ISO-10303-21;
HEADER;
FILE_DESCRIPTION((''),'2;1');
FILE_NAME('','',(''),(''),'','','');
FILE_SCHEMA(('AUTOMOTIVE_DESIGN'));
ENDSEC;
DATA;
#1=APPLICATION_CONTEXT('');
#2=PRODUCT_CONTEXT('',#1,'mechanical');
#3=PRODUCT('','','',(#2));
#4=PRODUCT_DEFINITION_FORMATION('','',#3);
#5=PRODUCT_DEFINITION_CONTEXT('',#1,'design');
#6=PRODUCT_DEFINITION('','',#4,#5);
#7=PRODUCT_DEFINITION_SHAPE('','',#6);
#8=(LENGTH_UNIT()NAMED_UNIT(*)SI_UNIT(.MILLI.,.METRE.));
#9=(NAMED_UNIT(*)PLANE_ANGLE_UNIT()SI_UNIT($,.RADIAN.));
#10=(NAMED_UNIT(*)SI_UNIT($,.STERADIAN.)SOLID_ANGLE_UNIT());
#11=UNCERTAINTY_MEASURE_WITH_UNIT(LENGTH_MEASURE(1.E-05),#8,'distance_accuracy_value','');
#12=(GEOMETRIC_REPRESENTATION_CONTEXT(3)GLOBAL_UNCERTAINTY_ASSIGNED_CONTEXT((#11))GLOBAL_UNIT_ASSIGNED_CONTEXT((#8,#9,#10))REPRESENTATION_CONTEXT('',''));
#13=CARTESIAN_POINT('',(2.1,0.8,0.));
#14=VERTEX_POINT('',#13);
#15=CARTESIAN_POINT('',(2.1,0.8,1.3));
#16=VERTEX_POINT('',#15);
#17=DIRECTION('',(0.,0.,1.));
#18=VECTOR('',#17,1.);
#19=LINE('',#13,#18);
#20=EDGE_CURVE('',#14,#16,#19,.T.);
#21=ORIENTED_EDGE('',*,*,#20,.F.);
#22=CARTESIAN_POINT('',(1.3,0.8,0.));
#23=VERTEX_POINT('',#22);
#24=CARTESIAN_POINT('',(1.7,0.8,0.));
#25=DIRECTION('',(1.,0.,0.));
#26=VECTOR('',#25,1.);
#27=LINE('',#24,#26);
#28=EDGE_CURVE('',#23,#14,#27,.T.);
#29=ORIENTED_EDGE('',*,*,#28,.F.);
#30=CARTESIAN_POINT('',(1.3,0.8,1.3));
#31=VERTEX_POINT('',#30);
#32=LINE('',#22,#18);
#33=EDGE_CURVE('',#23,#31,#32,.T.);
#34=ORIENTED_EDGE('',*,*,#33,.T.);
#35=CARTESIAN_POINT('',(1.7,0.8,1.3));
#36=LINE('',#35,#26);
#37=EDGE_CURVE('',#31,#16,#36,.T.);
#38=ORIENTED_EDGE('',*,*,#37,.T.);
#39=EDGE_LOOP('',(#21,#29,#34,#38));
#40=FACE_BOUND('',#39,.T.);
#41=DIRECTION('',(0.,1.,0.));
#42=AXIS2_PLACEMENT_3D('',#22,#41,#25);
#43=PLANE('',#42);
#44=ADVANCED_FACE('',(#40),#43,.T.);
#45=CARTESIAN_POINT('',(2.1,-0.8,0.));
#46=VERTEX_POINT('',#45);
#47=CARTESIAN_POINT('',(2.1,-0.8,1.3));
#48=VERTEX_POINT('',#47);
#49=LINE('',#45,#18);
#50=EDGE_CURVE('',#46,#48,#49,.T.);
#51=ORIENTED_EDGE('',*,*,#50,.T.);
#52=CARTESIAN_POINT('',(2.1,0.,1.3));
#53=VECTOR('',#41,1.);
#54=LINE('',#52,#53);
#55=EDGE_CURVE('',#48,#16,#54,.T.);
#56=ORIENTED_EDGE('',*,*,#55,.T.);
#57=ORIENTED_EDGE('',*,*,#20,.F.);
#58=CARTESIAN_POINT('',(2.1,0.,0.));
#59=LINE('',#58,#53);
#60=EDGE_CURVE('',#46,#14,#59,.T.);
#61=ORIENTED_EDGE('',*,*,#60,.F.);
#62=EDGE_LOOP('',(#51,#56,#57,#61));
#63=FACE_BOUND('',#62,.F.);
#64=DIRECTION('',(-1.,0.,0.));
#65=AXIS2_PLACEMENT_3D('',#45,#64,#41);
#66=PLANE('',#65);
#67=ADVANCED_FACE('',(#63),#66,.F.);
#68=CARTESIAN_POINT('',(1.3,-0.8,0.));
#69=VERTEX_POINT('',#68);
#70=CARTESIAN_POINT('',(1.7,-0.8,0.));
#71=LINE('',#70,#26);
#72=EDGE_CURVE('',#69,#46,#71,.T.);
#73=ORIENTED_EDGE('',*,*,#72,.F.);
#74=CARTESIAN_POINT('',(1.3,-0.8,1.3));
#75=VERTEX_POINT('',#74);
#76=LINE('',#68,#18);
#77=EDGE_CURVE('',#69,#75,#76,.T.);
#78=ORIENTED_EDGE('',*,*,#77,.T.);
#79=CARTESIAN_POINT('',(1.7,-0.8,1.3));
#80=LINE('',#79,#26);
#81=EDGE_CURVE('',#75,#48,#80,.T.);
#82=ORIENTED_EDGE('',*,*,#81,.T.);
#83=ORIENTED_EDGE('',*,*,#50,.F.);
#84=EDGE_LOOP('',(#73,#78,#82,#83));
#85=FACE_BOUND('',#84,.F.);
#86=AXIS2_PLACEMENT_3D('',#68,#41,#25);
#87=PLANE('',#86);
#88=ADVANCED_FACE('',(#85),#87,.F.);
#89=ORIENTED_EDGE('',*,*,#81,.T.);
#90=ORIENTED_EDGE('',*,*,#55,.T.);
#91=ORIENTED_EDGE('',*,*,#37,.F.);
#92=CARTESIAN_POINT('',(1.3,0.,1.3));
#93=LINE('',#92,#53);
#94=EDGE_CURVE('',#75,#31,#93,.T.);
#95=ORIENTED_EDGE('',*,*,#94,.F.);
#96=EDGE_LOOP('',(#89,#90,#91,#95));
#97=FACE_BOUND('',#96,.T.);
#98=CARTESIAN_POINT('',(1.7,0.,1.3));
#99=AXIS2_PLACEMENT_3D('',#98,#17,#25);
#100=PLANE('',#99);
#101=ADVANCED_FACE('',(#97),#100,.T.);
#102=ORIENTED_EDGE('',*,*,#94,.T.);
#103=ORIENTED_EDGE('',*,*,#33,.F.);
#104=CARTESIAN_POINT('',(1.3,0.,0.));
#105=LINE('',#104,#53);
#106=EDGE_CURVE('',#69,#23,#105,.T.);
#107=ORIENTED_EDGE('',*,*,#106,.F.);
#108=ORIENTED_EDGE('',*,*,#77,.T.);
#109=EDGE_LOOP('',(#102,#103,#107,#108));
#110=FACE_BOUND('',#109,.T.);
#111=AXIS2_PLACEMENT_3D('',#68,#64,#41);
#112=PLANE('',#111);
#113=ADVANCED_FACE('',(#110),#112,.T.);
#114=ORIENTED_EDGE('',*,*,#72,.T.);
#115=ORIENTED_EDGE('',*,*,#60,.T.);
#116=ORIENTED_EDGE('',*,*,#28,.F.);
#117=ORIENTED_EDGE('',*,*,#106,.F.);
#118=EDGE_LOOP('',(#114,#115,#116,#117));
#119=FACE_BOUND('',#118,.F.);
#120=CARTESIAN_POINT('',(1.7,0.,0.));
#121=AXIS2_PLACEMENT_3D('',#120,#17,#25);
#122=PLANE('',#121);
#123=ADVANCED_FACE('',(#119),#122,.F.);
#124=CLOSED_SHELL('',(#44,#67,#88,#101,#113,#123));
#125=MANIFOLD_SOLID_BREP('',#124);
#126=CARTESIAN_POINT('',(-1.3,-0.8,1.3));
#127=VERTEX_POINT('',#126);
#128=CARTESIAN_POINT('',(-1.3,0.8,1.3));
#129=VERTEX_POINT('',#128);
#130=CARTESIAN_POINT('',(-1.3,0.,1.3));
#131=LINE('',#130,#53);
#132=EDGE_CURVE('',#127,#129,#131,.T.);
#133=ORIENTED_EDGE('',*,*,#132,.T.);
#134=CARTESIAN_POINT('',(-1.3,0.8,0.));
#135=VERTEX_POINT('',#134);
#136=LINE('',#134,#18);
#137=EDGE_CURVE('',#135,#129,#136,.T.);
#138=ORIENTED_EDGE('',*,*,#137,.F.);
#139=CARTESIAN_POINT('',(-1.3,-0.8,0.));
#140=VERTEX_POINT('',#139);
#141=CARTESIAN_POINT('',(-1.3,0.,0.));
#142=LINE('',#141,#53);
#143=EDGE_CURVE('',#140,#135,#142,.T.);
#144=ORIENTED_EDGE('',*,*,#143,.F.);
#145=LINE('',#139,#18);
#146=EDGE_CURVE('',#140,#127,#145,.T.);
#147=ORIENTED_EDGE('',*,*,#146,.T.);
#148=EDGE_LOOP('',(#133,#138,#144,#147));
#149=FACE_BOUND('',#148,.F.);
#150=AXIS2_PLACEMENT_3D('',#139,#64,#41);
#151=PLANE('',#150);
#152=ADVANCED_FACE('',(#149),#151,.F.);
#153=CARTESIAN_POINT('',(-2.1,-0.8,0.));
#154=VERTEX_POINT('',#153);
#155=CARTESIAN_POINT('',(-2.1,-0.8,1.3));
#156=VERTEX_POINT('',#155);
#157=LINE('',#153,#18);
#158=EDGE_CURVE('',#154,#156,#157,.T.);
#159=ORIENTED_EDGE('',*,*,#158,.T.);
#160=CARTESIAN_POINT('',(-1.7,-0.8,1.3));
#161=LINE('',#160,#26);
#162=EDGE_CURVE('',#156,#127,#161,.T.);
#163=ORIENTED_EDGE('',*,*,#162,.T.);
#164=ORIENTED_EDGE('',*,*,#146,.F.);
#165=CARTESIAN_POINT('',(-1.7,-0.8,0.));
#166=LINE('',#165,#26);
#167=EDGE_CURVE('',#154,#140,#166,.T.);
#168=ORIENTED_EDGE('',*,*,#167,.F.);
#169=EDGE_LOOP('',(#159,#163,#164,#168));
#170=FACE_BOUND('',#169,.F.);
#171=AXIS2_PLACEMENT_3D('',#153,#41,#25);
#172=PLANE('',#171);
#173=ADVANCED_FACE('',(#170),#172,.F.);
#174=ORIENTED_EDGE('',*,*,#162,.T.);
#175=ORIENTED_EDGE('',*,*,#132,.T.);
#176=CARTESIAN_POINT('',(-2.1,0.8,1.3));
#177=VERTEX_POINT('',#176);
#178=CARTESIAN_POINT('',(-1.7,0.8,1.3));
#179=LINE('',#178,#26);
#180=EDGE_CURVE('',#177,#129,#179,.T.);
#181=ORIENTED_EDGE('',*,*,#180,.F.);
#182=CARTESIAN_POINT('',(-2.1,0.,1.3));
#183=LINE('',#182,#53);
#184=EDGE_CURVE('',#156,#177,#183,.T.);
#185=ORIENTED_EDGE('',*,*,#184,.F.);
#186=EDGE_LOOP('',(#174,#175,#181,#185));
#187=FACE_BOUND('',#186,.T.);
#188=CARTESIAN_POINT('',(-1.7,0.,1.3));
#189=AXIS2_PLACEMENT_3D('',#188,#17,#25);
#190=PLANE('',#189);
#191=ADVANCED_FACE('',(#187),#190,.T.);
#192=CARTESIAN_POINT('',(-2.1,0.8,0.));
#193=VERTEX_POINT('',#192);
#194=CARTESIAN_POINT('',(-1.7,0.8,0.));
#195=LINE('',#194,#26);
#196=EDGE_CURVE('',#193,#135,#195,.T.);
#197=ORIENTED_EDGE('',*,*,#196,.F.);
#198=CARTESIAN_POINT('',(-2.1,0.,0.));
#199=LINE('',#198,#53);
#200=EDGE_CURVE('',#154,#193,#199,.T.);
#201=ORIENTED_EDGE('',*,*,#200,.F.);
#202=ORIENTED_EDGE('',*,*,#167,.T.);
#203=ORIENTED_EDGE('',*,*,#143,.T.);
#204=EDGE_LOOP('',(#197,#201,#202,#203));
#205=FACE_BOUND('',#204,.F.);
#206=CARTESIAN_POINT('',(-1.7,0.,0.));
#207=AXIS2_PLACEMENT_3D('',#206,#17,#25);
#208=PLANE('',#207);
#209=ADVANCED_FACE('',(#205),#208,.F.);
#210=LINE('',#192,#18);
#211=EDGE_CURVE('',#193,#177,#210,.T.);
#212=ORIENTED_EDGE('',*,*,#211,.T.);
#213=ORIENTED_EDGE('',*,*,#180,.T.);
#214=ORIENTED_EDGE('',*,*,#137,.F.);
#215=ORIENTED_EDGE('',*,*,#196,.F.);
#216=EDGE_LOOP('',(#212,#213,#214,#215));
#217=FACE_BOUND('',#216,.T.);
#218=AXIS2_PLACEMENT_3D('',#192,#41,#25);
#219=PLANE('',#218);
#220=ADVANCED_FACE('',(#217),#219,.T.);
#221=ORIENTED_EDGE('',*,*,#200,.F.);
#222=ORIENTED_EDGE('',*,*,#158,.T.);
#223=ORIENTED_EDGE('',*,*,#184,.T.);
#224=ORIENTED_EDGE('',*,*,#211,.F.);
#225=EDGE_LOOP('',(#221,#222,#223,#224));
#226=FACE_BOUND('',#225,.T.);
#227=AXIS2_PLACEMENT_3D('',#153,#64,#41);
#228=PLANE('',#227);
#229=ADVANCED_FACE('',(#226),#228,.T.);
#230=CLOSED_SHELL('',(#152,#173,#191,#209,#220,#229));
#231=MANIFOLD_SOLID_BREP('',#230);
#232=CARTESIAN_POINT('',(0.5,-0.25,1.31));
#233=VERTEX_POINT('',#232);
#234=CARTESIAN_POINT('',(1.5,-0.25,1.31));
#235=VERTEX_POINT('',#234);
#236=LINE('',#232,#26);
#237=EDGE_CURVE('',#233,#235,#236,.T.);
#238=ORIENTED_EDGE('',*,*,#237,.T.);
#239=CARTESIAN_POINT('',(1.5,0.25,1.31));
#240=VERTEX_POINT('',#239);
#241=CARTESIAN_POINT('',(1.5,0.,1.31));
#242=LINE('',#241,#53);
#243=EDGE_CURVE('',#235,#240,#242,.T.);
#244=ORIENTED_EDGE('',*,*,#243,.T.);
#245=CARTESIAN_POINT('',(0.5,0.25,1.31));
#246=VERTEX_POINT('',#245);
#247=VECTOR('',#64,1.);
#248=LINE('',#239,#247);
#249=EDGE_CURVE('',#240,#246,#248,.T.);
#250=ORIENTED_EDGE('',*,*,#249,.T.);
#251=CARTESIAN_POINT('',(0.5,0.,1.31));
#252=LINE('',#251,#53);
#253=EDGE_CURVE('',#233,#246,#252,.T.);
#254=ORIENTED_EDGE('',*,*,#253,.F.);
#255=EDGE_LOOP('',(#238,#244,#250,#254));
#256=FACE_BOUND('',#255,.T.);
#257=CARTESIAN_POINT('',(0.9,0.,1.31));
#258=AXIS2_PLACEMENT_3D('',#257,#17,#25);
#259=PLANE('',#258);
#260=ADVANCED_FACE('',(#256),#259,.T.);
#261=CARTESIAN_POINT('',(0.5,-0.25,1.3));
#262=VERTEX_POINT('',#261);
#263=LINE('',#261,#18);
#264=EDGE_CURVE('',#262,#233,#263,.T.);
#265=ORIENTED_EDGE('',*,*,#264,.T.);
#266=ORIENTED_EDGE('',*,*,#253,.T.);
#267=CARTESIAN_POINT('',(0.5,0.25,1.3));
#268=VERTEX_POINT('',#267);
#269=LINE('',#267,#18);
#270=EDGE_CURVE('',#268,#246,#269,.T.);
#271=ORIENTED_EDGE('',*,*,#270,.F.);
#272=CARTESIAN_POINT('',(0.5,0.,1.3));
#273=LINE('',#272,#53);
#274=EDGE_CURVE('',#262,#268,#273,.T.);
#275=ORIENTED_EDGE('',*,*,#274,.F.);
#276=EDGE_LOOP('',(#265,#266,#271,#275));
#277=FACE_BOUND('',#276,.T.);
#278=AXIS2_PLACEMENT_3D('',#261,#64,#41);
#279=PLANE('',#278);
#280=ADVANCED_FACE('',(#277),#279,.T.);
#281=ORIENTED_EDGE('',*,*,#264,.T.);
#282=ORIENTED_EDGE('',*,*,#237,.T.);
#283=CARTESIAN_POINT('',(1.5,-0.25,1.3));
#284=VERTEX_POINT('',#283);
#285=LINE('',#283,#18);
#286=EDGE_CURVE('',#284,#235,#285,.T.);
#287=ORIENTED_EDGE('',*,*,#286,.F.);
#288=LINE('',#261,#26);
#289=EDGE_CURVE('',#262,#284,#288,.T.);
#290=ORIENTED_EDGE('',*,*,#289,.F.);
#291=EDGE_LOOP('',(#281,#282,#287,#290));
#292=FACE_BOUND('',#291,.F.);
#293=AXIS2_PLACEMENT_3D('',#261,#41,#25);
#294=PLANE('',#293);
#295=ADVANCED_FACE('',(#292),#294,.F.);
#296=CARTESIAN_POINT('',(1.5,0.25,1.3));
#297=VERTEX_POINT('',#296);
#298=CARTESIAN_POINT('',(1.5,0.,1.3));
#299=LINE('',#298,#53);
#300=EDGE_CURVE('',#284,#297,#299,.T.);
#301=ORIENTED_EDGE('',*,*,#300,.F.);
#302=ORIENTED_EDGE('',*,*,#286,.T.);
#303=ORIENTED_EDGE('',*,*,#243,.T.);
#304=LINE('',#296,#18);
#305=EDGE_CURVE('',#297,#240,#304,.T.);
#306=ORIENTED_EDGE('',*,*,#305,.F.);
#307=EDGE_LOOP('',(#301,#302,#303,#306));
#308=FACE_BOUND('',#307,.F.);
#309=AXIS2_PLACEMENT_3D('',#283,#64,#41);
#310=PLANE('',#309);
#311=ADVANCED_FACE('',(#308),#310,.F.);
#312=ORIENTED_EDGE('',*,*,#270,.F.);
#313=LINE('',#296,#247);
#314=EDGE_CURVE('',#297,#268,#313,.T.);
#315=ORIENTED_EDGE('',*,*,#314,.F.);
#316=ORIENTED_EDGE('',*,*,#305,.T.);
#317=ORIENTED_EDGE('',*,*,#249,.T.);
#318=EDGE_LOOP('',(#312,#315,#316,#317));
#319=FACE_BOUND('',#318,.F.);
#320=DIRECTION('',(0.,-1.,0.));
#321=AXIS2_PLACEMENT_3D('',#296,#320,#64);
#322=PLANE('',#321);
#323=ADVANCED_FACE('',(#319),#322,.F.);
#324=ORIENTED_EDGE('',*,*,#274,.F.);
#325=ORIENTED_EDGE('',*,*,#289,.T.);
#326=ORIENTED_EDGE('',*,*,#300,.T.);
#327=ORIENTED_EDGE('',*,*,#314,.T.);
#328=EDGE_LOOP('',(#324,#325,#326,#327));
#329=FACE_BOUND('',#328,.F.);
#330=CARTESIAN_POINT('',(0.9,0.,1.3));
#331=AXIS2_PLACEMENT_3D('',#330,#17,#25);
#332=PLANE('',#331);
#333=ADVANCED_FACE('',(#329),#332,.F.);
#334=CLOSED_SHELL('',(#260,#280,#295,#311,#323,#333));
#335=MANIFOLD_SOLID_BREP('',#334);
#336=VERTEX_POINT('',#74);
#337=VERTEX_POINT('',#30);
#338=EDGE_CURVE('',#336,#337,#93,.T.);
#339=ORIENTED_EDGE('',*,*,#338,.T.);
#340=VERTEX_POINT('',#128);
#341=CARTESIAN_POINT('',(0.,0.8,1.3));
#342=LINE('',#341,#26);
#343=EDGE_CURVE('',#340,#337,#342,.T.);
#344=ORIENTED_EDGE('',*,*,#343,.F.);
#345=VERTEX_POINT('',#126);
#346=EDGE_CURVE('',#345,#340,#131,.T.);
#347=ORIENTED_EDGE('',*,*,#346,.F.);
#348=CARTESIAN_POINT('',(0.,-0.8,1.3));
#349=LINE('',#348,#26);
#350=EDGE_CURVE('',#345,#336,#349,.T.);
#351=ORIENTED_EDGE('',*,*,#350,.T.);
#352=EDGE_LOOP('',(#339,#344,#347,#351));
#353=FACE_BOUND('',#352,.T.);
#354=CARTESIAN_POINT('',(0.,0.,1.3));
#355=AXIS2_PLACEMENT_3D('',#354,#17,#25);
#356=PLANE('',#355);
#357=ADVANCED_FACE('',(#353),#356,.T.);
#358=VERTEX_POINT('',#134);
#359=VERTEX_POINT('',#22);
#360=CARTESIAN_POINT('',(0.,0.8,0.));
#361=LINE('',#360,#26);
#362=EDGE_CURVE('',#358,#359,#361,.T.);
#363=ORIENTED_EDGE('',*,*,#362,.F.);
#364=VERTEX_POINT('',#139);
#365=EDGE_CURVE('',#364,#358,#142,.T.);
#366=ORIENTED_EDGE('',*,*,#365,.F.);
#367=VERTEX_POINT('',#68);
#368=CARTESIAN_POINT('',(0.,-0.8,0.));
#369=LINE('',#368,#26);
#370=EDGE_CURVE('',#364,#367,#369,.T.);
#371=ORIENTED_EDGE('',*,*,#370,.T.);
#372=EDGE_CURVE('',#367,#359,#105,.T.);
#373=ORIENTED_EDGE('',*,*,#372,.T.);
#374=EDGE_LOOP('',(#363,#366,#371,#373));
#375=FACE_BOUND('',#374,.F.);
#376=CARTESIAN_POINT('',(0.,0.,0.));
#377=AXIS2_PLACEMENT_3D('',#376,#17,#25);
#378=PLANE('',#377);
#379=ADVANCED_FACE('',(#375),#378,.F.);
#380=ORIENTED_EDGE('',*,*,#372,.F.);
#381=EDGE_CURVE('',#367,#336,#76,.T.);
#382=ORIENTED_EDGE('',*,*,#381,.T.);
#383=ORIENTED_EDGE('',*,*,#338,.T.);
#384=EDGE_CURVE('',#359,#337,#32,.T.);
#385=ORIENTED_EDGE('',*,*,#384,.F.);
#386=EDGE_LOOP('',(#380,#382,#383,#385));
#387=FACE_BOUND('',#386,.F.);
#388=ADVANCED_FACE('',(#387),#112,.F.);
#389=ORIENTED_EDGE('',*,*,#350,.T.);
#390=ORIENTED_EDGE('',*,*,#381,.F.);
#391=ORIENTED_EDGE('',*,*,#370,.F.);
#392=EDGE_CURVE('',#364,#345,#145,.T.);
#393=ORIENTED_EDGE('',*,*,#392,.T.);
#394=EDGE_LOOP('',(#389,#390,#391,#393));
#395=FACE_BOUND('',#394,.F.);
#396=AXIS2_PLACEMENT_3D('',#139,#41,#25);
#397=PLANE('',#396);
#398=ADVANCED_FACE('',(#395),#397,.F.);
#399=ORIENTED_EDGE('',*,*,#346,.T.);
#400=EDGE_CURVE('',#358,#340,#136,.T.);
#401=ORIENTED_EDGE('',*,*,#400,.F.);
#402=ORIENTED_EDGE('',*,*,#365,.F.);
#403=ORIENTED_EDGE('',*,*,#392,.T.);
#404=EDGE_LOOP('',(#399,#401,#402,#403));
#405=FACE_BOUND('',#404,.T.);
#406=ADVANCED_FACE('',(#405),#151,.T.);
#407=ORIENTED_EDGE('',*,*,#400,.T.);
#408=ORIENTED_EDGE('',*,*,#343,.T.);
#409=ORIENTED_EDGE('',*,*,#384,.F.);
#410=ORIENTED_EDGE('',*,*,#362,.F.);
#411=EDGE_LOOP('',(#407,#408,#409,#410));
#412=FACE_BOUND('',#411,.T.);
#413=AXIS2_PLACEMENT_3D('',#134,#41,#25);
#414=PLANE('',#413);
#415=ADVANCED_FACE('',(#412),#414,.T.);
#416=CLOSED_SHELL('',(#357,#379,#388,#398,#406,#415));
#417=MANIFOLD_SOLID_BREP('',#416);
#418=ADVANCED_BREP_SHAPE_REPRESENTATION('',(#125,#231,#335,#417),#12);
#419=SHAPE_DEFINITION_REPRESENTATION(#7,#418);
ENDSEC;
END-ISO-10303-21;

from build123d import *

# Parameters (mm, degrees)
F0_W     = 0.8
F0_H     = 1.6
F1_DEPTH = 1.3
F2_DEPTH = 1.3
F0_W_2   = 2.6
F3_DEPTH = 1.3
F4_W     = 0.8
F4_H     = 0.5
F4_W_2   = 0.2
F5_DEPTH = 0.01


with BuildPart() as f1:
    # F0 (on Top) → F1 (new body)
    with BuildSketch(Plane.XY):
        with Locations((1.7, 0)):
            Rectangle(F0_W, F0_H)
    extrude(amount=F1_DEPTH)


with BuildPart() as f2:
    # F0 (on Top) → F2 (new body)
    with BuildSketch(Plane.XY):
        with Locations((-1.7, 0)):
            Rectangle(F0_W, F0_H)
    extrude(amount=F2_DEPTH)


with BuildPart() as f3:
    # F0 (on Top) → F3 (new body)
    with BuildSketch(Plane.XY):
        Rectangle(F0_W_2, F0_H)
    extrude(amount=F3_DEPTH)


with BuildPart() as f5:
    # F4 (on face) → F5 (new body)
    with BuildSketch(Plane.XY.offset(1.3)):
        with Locations((0.9, 0)):
            Rectangle(F4_W, F4_H)
        with Locations((1.4, 0)):
            Rectangle(F4_W_2, F4_H)
    extrude(amount=F5_DEPTH)


solid = Compound([f1.part, f2.part, f3.part, f5.part])
